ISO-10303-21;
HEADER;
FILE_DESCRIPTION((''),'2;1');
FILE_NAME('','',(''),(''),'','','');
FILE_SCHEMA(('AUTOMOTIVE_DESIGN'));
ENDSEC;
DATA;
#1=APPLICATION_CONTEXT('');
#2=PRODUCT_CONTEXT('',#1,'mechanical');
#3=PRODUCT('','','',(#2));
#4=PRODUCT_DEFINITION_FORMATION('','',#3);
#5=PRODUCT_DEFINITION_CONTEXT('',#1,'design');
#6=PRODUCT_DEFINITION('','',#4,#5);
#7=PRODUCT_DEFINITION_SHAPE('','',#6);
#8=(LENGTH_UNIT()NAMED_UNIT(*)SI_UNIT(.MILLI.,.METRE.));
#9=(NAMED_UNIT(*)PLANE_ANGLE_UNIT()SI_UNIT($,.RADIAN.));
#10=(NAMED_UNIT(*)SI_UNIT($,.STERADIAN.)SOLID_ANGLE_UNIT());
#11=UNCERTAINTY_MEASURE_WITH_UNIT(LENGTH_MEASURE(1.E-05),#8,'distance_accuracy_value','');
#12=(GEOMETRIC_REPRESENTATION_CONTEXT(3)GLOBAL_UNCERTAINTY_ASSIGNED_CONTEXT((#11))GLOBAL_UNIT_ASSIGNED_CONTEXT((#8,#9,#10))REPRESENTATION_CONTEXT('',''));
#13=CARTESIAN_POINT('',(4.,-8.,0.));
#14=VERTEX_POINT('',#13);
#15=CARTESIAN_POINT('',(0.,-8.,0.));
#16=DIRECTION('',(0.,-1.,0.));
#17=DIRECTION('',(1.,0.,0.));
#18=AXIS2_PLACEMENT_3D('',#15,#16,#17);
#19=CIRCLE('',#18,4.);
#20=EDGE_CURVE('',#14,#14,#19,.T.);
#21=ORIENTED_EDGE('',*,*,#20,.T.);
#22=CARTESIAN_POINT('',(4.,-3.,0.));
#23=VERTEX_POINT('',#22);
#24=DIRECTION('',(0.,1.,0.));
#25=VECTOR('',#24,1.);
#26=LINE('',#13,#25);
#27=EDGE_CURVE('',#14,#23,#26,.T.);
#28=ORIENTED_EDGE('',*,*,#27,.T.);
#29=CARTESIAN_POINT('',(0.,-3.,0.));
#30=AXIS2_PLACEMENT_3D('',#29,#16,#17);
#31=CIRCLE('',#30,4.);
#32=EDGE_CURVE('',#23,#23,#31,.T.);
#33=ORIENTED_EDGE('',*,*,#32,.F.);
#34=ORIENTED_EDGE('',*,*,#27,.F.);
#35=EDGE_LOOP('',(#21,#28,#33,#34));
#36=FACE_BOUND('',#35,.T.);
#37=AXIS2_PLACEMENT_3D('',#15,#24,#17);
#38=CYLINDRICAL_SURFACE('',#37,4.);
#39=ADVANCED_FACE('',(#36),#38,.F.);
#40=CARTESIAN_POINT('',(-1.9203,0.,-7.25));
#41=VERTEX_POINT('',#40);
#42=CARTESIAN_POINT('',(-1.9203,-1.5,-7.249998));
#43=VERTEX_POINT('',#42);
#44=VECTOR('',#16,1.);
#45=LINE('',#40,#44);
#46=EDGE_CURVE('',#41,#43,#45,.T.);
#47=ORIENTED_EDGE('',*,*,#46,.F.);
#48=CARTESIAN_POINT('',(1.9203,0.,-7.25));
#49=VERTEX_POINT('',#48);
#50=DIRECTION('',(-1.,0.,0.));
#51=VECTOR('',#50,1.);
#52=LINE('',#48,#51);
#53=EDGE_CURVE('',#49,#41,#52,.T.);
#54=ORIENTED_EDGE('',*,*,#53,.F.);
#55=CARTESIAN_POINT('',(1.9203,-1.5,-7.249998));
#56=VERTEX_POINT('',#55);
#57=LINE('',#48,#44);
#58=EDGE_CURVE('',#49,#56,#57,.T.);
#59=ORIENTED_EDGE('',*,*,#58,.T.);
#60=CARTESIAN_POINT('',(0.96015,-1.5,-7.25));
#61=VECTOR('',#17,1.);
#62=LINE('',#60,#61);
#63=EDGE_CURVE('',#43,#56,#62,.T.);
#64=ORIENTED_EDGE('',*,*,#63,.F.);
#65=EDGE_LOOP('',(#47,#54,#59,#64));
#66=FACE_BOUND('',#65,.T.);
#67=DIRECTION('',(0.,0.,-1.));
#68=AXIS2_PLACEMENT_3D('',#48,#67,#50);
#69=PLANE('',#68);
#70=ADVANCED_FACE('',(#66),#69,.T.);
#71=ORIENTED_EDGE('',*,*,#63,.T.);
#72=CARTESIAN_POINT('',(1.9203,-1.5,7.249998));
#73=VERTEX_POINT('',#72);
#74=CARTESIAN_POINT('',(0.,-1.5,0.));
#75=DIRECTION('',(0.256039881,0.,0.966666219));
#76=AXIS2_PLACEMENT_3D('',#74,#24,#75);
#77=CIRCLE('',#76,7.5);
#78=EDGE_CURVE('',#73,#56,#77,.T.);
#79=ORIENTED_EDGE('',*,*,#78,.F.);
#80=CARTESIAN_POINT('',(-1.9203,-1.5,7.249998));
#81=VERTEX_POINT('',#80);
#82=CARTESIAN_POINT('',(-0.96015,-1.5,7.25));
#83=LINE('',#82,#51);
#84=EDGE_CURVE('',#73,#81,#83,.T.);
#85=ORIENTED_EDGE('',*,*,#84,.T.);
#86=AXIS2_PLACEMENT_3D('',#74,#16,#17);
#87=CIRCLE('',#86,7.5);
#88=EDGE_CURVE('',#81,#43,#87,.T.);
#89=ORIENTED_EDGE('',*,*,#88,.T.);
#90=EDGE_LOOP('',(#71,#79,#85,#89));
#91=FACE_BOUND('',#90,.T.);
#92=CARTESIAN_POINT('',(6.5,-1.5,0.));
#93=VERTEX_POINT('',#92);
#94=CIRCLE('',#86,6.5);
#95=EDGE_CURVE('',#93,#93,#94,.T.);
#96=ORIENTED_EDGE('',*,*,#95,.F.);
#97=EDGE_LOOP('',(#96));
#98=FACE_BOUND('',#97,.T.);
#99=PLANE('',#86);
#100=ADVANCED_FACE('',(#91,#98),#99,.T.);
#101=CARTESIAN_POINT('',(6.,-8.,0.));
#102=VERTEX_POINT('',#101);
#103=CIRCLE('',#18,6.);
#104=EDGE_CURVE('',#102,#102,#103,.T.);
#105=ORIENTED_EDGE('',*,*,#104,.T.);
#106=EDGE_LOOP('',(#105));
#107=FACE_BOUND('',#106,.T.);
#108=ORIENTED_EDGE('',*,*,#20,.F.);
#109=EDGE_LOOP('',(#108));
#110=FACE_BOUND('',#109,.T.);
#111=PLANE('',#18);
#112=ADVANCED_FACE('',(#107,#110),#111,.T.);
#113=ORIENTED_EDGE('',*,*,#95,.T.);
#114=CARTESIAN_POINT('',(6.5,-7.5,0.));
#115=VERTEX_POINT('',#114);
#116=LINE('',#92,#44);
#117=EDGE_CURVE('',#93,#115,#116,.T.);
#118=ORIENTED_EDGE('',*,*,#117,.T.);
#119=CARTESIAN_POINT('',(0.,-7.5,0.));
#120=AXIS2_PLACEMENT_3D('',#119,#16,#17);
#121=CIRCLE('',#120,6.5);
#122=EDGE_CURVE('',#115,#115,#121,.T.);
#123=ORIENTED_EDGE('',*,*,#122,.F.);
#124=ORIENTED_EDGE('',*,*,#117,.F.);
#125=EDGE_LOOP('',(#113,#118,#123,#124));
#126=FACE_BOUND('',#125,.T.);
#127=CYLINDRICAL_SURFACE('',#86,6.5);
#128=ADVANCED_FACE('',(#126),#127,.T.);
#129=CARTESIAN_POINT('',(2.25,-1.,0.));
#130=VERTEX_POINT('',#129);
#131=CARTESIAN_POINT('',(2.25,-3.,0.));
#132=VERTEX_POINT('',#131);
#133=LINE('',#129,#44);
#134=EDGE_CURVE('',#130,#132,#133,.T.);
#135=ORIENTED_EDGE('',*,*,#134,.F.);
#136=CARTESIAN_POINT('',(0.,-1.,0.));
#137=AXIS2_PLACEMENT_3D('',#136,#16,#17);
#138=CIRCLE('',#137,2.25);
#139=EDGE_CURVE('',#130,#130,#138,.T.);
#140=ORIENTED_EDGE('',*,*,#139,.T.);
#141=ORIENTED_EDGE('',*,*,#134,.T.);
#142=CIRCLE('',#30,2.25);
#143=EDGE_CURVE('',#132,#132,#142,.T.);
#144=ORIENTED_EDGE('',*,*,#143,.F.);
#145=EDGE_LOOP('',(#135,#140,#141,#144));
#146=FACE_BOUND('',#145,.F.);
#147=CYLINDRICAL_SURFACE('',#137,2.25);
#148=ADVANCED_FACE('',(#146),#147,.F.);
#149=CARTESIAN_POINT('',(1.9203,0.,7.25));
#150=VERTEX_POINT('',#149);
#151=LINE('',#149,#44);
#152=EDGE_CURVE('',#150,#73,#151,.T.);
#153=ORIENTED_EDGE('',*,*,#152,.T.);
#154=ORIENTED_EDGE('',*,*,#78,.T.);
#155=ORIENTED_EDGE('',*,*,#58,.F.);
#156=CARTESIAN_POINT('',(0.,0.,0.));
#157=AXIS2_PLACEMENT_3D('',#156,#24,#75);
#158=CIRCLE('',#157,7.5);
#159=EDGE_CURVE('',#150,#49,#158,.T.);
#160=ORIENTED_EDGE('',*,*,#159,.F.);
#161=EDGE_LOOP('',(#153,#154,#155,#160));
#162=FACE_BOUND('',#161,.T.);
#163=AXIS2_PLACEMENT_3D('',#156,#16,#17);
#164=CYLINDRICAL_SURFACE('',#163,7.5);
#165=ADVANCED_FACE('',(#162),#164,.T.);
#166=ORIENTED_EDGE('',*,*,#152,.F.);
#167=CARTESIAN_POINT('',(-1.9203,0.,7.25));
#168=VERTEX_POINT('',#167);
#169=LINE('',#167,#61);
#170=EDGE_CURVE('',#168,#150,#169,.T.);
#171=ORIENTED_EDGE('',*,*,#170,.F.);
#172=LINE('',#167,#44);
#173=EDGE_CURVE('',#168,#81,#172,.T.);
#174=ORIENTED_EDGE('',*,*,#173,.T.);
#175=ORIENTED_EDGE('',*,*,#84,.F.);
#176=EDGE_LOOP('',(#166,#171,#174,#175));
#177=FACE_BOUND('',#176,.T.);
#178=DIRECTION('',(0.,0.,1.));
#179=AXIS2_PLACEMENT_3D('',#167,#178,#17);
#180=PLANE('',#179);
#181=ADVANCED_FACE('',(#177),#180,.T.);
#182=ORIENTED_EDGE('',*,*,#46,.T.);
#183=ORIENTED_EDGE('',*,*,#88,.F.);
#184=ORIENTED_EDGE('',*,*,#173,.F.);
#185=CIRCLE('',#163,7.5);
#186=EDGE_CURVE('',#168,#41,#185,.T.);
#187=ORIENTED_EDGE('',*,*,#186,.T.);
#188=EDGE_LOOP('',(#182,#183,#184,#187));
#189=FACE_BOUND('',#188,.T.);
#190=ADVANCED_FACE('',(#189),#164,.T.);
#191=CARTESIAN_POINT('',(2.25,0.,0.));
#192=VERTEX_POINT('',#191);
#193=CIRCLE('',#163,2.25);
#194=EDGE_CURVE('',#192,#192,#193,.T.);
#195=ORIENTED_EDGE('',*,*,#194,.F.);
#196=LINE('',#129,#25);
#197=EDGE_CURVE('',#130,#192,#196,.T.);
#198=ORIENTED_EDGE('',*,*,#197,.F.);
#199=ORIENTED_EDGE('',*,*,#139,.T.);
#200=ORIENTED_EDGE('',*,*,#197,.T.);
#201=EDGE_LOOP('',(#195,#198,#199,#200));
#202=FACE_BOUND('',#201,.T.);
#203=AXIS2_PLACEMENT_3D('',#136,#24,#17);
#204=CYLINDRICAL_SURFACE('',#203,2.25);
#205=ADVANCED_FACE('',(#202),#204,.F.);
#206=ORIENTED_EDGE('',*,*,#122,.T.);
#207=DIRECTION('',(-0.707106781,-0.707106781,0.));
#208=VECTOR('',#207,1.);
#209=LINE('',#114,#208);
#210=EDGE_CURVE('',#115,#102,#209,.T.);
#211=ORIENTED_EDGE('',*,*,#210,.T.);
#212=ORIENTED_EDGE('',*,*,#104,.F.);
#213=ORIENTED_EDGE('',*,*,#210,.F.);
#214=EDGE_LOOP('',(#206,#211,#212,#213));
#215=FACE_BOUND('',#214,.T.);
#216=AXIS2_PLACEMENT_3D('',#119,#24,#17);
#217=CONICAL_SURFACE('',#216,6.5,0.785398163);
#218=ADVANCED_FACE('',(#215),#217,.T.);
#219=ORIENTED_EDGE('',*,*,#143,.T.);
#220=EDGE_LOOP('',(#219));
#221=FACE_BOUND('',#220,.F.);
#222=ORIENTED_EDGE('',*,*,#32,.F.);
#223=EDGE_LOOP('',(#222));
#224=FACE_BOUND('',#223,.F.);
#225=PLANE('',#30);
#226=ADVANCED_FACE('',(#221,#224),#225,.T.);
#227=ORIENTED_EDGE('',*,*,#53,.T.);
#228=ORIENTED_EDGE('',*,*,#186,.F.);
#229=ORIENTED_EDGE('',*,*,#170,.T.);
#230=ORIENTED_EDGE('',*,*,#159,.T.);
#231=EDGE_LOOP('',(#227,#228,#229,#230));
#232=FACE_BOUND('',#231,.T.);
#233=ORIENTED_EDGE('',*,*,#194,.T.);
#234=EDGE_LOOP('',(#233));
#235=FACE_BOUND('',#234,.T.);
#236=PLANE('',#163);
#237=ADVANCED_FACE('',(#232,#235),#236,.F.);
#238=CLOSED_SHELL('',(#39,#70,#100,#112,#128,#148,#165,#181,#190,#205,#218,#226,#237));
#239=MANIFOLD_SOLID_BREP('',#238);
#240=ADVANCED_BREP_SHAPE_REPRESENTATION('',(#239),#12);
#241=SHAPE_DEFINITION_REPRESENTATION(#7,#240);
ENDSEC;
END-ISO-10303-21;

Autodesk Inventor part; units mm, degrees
ref_plane "YZ Plane" through (0, 0, 0) normal (1, 0, 0) x (0, 1, 0)
ref_plane "XZ Plane" through (0, 0, 0) normal (0, 1, 0) x (-1, 0, 0)
ref_plane "XY Plane" through (0, 0, 0) normal (0, 0, 1) x (1, 0, 0)
sketch "Sketch1" plane through (0, 0, 0) normal (0, 0, 1) x (1, 0, 0)
  line L0 (0, 0) -> (0, -9.8072)
  line L1 (2.25, 0) -> (7.5, 0)
  line L2 (7.5, 0) -> (7.5, -1.5)
  line L3 (7.5, -1.5) -> (6.5, -1.5)
  line L4 (6.5, -1.5) -> (6.5, -8)
  line L5 (6.5, -8) -> (4, -8)
  line L6 (4, -8) -> (4, -3)
  line L7 (2.25, -1) -> (2.25, -1)
  line L8 (2.25, -1) -> (2.25, 0)
  line L9 (2.25, -1) -> (2.25, -3)
  line L10 (2.25, -3) -> (4, -3)
  dimension "d1" = 4.5
  dimension "d2" = 8
  dimension "d3" = 13
  dimension "d4" = 1.5
  dimension "d6" = 15
  dimension "d19" = 2
  dimension "d20" = 4.5
  dimension "d21" = 8
  dimension "d22" = 2.5
  dimension "d25" = 5
  dimension "d26" = 1
revolve "Revolution1" add sketch "Sketch1" angle 360 about axis through (0, 0, 0) along (0, -1, 0)
sketch "Sketch2" plane through (0, 0, 0) normal (0, 1, 0) x (1, 0, 0)
  circle A0 centre (0, 0) radius 7.5 projected
  line L0 (-1.9203, -7.25) -> (1.9203, -7.25)
  line L1 (1.9203, -7.25) -> (1.9203, 7.25)
  line L2 (1.9203, 7.25) -> (-1.9203, 7.25)
  line L3 (-1.9203, 7.25) -> (-1.9203, -7.25)
  point P0 (0, -7.25)
  point P1 (1.9203, -7.25)
  point P2 (-1.9203, 7.25)
  point P3 (1.9203, -7.25)
  point P4 (-1.9203, 7.25)
  dimension "d29" = 14.5
extrude "Extrusion1" cut sketch "Sketch2" against normal blind 10 contours L2 A0 | A0 L0
chamfer "Chamfer1" distance 0.5 angle 45 1 edges at (-6.5, -8, 0)
thread "Thread3" size "M14x0.75" class "6g" standard "ANSI Metric M Profile" full length
equation "\"d1\" = d20"
properties part number "endcap"
